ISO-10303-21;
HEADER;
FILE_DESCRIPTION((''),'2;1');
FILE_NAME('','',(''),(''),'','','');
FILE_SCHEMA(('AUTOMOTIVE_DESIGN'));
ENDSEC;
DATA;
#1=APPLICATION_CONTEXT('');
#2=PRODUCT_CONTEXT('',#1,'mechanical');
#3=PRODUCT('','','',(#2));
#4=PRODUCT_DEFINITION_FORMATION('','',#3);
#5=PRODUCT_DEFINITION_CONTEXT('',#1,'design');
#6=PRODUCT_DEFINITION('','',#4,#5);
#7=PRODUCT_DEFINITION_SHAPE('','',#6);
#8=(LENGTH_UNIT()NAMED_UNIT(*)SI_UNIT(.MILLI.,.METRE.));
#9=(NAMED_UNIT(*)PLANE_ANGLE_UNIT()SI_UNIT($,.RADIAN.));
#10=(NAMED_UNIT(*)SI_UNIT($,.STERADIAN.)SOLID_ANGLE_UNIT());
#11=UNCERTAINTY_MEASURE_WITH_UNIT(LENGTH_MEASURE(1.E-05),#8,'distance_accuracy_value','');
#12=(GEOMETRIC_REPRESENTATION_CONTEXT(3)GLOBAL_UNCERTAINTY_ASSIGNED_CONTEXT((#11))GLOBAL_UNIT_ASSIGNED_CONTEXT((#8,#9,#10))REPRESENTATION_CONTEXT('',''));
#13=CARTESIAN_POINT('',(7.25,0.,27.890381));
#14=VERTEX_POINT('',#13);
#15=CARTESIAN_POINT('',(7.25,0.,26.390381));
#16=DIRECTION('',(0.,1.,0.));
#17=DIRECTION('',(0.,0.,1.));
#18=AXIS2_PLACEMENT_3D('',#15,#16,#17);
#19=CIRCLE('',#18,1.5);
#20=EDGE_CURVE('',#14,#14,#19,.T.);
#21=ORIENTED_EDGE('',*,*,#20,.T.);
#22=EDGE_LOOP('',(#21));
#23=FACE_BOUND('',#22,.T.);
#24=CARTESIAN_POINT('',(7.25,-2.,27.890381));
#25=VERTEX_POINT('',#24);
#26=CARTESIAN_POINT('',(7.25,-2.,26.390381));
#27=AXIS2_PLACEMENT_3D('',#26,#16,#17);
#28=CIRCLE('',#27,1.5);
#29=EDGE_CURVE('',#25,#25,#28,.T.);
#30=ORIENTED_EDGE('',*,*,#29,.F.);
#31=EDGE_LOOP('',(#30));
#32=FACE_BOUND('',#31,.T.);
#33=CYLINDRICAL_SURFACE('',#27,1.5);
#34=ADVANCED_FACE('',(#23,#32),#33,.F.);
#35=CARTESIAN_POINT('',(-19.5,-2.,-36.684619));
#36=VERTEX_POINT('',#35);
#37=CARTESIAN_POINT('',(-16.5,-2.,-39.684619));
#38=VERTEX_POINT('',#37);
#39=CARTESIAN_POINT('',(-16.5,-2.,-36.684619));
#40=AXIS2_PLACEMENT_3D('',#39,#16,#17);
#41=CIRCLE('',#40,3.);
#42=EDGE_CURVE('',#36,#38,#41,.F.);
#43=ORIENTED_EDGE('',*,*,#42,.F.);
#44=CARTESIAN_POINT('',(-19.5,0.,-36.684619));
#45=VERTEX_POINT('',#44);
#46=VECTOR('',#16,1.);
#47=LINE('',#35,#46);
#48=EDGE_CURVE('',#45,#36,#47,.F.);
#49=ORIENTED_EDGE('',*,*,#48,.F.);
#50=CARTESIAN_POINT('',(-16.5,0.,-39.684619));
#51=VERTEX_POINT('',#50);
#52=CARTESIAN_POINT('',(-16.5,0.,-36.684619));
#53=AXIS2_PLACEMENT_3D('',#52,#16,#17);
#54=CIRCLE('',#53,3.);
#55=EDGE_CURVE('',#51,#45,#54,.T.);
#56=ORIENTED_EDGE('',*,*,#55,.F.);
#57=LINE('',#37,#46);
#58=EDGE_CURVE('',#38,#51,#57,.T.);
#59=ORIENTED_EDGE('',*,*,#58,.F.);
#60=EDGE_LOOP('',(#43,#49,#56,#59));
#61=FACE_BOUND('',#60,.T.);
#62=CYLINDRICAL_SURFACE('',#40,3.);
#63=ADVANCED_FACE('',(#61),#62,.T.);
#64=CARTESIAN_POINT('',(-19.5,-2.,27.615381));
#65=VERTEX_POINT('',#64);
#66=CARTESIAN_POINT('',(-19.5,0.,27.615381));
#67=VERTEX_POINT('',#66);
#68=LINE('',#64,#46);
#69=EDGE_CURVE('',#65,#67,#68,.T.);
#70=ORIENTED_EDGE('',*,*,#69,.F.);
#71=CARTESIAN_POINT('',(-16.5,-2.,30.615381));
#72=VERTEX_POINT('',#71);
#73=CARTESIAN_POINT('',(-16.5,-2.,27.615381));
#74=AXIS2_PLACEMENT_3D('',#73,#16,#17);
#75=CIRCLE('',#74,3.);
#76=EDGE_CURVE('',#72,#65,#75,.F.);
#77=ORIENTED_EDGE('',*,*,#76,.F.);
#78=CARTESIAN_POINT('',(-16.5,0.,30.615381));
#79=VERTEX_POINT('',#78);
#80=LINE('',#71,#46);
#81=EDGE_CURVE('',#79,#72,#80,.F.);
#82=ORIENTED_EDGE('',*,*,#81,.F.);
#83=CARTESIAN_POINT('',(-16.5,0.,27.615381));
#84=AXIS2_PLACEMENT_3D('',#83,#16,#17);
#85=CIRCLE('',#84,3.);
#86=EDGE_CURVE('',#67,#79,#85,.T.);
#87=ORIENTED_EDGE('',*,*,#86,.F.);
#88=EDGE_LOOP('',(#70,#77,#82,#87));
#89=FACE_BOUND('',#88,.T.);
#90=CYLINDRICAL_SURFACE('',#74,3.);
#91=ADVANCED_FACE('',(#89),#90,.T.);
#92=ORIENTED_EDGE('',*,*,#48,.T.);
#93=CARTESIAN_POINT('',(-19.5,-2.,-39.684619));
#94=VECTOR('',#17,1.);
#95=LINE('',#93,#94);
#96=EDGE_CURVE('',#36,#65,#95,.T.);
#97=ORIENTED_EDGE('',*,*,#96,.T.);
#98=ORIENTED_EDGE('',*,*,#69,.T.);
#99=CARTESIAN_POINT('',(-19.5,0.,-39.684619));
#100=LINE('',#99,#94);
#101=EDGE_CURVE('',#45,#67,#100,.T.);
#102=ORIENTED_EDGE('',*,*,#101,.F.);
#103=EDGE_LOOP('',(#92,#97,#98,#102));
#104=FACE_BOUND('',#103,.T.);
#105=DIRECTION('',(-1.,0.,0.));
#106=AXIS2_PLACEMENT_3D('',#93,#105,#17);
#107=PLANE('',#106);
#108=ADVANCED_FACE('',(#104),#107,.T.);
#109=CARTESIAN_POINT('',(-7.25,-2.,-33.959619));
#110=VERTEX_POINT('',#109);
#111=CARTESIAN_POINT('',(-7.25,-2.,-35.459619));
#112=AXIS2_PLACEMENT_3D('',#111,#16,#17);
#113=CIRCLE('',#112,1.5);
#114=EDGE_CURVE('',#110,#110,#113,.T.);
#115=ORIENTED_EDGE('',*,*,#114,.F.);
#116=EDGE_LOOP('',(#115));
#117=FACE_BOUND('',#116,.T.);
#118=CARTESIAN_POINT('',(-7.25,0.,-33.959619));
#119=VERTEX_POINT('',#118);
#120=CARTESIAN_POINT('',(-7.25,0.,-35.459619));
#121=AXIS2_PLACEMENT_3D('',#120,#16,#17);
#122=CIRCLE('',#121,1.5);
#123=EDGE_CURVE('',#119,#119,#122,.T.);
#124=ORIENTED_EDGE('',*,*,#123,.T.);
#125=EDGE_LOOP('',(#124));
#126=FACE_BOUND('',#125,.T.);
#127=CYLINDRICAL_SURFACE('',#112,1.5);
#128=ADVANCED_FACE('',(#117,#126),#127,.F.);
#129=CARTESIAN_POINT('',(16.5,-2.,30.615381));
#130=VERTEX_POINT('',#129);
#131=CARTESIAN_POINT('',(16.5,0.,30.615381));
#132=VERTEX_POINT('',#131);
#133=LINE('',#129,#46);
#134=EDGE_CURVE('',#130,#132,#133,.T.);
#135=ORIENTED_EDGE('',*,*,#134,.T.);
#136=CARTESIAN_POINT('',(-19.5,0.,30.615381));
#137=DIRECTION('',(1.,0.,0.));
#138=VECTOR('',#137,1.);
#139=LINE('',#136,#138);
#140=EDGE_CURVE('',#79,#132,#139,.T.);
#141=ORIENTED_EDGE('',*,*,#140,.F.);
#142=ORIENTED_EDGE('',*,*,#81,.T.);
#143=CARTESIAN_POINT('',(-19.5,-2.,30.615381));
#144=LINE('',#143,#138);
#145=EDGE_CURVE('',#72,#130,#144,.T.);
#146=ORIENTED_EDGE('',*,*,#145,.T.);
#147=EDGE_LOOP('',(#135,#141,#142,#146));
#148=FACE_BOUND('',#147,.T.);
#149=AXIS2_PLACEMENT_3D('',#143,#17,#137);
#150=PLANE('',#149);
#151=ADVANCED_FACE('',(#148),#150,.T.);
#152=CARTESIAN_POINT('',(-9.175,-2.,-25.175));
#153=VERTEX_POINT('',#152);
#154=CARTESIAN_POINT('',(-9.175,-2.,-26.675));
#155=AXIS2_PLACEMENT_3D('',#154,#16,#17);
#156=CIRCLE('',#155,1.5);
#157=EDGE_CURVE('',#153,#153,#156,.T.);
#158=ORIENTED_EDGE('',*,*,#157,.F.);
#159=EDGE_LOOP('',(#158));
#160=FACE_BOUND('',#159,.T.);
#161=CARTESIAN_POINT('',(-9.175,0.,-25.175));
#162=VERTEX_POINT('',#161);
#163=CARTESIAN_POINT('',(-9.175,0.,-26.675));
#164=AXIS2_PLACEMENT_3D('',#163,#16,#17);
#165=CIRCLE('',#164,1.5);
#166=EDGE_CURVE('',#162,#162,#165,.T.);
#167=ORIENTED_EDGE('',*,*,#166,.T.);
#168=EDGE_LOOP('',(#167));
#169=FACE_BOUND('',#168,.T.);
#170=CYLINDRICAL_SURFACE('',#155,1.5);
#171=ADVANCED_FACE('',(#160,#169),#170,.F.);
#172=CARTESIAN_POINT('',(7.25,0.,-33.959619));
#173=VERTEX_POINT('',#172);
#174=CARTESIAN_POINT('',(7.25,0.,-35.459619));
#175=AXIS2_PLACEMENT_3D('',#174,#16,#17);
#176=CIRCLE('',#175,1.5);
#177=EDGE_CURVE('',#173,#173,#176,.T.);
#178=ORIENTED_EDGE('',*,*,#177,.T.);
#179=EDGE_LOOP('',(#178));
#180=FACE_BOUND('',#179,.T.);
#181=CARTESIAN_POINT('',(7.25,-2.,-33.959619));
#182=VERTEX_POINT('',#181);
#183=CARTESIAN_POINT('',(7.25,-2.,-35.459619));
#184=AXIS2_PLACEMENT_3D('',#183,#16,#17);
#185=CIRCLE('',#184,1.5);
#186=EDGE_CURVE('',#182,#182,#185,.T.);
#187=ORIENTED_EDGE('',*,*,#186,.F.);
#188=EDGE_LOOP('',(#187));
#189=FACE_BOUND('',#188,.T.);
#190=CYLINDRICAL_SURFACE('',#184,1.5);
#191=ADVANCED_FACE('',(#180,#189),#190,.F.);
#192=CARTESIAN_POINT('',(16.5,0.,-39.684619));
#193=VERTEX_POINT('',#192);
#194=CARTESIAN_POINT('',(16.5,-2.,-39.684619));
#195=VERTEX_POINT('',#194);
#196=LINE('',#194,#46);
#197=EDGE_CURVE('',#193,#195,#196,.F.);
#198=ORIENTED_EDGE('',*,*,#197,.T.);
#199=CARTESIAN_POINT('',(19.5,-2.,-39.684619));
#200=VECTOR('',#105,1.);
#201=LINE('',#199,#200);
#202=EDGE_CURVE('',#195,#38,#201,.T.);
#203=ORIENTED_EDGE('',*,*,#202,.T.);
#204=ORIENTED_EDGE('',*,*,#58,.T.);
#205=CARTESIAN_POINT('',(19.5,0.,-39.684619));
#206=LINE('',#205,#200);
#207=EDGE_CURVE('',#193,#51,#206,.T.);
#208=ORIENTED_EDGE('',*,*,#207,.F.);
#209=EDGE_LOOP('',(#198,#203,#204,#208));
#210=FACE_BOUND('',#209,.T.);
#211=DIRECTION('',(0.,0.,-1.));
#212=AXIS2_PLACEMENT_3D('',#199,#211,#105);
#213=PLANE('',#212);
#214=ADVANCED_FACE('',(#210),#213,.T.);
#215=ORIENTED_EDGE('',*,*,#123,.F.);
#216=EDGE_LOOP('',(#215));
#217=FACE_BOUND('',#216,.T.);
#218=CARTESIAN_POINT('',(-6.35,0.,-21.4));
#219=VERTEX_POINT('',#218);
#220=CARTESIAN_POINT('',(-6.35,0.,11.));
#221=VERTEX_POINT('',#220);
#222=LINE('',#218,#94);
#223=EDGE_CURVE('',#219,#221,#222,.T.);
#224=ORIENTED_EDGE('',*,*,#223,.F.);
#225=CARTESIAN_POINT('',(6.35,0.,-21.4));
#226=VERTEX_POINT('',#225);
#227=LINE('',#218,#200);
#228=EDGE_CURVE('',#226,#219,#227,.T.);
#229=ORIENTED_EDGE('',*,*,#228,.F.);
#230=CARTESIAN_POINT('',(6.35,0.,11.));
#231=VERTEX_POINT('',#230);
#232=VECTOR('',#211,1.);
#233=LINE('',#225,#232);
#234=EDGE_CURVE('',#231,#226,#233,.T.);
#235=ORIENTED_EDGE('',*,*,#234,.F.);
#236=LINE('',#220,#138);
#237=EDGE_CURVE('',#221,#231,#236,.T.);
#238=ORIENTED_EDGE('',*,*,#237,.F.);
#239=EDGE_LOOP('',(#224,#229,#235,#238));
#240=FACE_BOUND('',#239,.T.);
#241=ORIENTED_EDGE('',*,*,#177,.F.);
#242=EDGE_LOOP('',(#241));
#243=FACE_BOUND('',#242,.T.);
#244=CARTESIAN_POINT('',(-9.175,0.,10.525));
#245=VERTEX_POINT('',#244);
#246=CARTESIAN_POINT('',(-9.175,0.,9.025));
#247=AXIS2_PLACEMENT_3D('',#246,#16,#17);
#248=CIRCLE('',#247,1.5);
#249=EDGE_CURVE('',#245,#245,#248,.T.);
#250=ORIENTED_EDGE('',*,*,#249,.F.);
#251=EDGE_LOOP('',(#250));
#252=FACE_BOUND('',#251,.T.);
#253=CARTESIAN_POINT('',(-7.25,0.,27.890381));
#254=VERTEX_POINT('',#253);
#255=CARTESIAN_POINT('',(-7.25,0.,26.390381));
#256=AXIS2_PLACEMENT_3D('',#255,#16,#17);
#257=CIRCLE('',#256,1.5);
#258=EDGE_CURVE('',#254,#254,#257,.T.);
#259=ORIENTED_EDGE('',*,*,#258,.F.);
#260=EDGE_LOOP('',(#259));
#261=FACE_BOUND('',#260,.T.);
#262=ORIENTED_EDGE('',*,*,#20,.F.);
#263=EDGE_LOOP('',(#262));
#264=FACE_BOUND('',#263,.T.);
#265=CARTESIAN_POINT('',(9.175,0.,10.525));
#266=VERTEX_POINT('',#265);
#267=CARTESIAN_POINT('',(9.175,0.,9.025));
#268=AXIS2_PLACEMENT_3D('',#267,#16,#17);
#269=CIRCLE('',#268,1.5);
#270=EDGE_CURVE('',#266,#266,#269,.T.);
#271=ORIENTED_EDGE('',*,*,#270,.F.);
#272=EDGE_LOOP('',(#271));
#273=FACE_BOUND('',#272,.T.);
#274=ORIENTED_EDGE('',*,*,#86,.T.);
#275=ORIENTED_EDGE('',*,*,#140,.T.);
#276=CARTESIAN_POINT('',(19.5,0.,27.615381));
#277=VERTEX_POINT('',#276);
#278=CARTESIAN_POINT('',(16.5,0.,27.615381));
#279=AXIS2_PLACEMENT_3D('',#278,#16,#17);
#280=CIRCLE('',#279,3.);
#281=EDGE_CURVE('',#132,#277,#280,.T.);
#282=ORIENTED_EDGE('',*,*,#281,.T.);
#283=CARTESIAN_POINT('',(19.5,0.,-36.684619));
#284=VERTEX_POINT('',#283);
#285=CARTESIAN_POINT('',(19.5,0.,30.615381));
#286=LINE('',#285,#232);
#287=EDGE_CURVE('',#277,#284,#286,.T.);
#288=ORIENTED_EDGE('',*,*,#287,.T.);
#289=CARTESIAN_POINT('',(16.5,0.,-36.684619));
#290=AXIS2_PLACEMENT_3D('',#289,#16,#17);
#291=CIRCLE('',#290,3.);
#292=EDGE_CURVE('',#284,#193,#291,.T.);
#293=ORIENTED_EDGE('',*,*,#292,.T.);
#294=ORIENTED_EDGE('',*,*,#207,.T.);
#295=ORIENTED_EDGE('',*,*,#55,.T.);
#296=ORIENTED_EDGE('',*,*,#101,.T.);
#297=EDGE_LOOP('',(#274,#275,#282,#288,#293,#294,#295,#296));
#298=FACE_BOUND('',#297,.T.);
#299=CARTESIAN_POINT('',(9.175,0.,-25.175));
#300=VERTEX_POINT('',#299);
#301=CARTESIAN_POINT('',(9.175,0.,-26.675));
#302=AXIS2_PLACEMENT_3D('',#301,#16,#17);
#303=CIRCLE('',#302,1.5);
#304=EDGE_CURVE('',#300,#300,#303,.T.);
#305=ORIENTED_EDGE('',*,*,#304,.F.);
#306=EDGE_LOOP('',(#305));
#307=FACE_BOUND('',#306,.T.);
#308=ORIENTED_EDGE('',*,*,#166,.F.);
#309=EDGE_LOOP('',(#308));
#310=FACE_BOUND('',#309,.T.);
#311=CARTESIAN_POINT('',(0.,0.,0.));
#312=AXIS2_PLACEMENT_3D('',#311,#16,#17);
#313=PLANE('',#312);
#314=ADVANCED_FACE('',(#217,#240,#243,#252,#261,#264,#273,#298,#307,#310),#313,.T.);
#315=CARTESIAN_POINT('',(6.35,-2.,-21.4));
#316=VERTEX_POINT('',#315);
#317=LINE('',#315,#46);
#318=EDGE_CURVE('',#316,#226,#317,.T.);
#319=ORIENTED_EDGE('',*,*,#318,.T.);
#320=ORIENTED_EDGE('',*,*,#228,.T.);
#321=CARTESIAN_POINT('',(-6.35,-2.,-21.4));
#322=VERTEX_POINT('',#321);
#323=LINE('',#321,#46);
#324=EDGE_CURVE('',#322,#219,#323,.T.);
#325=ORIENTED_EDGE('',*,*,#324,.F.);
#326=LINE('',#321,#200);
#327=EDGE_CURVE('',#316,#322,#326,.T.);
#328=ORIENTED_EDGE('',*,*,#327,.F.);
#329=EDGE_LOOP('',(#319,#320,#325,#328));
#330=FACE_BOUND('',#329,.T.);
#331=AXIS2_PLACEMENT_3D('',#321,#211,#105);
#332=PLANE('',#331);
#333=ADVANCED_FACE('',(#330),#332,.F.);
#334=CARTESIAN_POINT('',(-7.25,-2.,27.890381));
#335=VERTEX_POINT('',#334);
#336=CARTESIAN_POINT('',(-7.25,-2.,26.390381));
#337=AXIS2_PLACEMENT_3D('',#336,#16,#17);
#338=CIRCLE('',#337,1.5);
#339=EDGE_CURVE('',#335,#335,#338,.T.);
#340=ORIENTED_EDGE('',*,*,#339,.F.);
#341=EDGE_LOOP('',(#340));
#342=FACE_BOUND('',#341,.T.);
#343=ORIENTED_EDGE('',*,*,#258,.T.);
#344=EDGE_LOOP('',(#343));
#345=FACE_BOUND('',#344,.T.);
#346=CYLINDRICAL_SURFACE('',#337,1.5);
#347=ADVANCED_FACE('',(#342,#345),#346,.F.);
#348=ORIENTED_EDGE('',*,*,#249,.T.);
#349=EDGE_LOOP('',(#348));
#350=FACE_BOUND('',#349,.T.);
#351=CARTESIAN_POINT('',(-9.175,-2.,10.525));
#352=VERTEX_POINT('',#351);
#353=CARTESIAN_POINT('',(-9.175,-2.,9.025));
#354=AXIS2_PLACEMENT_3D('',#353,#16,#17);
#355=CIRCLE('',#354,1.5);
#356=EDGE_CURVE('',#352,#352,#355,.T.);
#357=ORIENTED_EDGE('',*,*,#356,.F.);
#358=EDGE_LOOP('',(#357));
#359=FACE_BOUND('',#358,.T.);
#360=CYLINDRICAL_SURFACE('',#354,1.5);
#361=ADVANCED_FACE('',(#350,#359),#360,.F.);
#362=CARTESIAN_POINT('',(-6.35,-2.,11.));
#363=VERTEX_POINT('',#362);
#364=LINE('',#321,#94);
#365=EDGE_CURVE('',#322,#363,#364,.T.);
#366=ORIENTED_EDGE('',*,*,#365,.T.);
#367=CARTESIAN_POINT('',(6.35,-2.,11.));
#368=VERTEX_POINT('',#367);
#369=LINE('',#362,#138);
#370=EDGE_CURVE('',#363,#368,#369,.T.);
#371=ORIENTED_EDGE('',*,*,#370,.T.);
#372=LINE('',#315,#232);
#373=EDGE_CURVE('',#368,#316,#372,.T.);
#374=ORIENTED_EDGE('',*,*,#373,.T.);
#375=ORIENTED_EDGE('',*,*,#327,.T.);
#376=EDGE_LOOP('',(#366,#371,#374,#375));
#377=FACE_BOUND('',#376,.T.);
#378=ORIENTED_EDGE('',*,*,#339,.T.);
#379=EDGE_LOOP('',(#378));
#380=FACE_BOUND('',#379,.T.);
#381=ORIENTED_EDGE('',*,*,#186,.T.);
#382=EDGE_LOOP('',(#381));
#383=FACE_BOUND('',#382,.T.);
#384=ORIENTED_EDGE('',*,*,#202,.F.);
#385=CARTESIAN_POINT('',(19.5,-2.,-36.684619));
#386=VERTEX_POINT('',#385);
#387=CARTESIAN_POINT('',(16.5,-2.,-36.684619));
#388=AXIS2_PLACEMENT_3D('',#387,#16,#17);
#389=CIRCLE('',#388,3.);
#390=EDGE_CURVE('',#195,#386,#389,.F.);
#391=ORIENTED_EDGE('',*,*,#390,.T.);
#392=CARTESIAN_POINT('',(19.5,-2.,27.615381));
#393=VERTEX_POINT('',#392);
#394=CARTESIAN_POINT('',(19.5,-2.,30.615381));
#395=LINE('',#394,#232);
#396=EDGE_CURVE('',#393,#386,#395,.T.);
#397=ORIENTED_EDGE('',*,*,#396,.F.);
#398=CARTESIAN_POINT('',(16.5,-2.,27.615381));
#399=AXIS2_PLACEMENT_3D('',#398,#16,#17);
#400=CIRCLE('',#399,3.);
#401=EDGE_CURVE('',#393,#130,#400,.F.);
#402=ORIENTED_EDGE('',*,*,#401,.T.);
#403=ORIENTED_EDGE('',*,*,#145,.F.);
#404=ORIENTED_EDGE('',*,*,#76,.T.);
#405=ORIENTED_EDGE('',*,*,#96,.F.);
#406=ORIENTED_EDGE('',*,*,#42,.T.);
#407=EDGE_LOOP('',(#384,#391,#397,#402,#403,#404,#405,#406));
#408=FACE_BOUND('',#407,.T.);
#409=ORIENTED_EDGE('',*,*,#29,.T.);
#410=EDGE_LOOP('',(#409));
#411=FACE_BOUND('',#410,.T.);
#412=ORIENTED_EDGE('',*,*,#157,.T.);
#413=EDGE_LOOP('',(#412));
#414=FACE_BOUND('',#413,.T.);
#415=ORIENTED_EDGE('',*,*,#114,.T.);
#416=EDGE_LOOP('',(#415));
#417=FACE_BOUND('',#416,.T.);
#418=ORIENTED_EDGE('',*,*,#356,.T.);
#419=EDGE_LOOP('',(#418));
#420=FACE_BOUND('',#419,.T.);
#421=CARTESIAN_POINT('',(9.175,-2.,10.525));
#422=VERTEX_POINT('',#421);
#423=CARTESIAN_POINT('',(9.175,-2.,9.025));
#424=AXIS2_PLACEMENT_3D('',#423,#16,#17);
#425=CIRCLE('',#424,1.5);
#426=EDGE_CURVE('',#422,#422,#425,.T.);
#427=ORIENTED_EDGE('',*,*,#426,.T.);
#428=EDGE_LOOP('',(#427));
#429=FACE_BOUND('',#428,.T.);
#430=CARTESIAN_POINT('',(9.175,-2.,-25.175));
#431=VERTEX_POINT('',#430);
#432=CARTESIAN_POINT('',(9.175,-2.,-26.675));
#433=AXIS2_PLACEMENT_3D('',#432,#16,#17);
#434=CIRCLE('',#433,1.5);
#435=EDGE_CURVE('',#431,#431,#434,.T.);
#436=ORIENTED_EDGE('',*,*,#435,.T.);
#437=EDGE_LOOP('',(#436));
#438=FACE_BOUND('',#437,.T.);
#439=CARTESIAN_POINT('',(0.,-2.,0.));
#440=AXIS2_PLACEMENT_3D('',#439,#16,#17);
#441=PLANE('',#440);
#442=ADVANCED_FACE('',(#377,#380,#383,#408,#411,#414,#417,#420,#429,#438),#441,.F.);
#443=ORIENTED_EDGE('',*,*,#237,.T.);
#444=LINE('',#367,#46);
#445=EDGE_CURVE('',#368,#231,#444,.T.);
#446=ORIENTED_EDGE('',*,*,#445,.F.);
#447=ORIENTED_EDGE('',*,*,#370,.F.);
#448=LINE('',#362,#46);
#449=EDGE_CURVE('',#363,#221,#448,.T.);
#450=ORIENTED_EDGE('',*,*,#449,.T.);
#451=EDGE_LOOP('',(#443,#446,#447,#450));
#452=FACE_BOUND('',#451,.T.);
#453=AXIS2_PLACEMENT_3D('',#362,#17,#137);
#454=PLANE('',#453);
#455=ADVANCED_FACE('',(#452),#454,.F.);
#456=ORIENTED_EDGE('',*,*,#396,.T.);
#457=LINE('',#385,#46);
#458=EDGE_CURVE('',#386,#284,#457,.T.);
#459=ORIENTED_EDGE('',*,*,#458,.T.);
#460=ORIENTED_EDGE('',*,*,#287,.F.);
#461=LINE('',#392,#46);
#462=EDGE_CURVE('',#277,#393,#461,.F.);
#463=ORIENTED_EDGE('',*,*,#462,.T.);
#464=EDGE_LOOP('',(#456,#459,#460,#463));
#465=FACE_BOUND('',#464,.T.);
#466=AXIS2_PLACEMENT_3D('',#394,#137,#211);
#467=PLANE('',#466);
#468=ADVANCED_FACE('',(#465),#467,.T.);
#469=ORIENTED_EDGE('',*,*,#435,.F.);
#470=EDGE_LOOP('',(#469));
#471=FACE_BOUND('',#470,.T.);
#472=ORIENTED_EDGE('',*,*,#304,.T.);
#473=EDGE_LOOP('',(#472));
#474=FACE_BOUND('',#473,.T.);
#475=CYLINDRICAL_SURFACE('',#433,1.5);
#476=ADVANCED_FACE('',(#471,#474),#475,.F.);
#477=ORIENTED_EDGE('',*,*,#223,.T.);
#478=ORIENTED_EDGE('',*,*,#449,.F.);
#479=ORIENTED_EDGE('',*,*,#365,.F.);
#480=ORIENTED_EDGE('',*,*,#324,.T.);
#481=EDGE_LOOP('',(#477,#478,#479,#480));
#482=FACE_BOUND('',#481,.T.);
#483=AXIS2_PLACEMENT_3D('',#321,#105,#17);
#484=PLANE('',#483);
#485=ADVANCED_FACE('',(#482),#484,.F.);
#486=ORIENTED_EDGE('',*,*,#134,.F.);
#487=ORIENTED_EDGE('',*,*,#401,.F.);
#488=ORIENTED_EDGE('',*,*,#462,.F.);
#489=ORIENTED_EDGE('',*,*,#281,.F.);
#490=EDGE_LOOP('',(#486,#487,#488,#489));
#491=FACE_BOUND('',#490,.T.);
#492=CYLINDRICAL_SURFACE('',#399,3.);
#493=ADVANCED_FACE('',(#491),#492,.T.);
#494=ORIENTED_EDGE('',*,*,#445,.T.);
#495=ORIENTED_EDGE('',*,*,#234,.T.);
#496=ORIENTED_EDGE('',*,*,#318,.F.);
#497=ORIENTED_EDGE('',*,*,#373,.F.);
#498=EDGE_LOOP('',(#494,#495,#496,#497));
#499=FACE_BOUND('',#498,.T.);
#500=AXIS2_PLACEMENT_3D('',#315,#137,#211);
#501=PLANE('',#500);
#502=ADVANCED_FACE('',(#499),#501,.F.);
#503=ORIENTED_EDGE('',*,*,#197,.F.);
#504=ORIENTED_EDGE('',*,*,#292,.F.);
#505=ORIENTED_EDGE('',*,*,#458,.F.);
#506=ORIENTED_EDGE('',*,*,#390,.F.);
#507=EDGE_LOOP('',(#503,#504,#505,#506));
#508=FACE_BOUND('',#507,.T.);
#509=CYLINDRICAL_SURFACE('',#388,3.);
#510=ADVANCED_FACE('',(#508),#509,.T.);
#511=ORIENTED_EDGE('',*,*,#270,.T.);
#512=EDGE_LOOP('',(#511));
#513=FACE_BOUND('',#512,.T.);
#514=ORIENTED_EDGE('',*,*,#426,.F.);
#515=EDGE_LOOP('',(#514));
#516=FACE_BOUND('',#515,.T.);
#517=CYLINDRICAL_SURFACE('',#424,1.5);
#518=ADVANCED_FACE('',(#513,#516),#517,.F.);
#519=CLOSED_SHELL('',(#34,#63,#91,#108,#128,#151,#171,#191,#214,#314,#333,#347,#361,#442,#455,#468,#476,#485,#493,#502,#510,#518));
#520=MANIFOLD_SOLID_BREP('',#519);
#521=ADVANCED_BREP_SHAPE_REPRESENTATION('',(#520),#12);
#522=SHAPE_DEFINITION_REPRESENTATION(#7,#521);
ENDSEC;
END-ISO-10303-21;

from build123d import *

# Parameters (mm, degrees)
SKETCH3_W           = 39
SKETCH3_H           = 70.3
SKETCH3_R           = 1.5
SKETCH3_W_2         = 12.7
SKETCH3_H_2         = 32.4
BOSS_EXTRUDE1_DEPTH = 2
FILLET1_R           = 3


with BuildPart() as part:
    # Sketch3 → Boss-Extrude1 (new body)
    with BuildSketch(Plane(origin=(0, 0, 0), x_dir=(1, 0, 0), z_dir=(0, 1, 0))):
        with Locations((0, 4.534618943)):
            Rectangle(SKETCH3_W, SKETCH3_H)
        with Locations(Location((-7.25, 35.459618943, 0), (0, 0, 270))):
            Circle(SKETCH3_R, mode=Mode.SUBTRACT)
        with Locations(Location((7.25, 35.459618943, 0), (0, 0, 270))):
            Circle(SKETCH3_R, mode=Mode.SUBTRACT)
        with Locations(Location((7.25, -26.390381057, 0), (0, 0, 270))):
            Circle(SKETCH3_R, mode=Mode.SUBTRACT)
        with Locations(Location((-7.25, -26.390381057, 0), (0, 0, 270))):
            Circle(SKETCH3_R, mode=Mode.SUBTRACT)
        with Locations(Location((9.175, 26.675, 0), (0, 0, 270))):
            Circle(SKETCH3_R, mode=Mode.SUBTRACT)
        with Locations(Location((9.175, -9.025, 0), (0, 0, 270))):
            Circle(SKETCH3_R, mode=Mode.SUBTRACT)
        with Locations(Location((-9.175, 26.675, 0), (0, 0, 270))):
            Circle(SKETCH3_R, mode=Mode.SUBTRACT)
        with Locations(Location((-9.175, -9.025, 0), (0, 0, 270))):
            Circle(SKETCH3_R, mode=Mode.SUBTRACT)
        with Locations((0, 5.2)):
            Rectangle(SKETCH3_W_2, SKETCH3_H_2, mode=Mode.SUBTRACT)
    extrude(amount=-BOSS_EXTRUDE1_DEPTH)

    # Fillet1
    fillet1_edges = [part.edges().sort_by_distance(p)[0] for p in [
        (-19.5, -1, -39.684618943),
        (19.5, -1, -39.684618943),
        (19.5, -1, 30.615381057),
        (-19.5, -1, 30.615381057),
    ]]
    fillet(fillet1_edges, radius=FILLET1_R)


solid = part.part
